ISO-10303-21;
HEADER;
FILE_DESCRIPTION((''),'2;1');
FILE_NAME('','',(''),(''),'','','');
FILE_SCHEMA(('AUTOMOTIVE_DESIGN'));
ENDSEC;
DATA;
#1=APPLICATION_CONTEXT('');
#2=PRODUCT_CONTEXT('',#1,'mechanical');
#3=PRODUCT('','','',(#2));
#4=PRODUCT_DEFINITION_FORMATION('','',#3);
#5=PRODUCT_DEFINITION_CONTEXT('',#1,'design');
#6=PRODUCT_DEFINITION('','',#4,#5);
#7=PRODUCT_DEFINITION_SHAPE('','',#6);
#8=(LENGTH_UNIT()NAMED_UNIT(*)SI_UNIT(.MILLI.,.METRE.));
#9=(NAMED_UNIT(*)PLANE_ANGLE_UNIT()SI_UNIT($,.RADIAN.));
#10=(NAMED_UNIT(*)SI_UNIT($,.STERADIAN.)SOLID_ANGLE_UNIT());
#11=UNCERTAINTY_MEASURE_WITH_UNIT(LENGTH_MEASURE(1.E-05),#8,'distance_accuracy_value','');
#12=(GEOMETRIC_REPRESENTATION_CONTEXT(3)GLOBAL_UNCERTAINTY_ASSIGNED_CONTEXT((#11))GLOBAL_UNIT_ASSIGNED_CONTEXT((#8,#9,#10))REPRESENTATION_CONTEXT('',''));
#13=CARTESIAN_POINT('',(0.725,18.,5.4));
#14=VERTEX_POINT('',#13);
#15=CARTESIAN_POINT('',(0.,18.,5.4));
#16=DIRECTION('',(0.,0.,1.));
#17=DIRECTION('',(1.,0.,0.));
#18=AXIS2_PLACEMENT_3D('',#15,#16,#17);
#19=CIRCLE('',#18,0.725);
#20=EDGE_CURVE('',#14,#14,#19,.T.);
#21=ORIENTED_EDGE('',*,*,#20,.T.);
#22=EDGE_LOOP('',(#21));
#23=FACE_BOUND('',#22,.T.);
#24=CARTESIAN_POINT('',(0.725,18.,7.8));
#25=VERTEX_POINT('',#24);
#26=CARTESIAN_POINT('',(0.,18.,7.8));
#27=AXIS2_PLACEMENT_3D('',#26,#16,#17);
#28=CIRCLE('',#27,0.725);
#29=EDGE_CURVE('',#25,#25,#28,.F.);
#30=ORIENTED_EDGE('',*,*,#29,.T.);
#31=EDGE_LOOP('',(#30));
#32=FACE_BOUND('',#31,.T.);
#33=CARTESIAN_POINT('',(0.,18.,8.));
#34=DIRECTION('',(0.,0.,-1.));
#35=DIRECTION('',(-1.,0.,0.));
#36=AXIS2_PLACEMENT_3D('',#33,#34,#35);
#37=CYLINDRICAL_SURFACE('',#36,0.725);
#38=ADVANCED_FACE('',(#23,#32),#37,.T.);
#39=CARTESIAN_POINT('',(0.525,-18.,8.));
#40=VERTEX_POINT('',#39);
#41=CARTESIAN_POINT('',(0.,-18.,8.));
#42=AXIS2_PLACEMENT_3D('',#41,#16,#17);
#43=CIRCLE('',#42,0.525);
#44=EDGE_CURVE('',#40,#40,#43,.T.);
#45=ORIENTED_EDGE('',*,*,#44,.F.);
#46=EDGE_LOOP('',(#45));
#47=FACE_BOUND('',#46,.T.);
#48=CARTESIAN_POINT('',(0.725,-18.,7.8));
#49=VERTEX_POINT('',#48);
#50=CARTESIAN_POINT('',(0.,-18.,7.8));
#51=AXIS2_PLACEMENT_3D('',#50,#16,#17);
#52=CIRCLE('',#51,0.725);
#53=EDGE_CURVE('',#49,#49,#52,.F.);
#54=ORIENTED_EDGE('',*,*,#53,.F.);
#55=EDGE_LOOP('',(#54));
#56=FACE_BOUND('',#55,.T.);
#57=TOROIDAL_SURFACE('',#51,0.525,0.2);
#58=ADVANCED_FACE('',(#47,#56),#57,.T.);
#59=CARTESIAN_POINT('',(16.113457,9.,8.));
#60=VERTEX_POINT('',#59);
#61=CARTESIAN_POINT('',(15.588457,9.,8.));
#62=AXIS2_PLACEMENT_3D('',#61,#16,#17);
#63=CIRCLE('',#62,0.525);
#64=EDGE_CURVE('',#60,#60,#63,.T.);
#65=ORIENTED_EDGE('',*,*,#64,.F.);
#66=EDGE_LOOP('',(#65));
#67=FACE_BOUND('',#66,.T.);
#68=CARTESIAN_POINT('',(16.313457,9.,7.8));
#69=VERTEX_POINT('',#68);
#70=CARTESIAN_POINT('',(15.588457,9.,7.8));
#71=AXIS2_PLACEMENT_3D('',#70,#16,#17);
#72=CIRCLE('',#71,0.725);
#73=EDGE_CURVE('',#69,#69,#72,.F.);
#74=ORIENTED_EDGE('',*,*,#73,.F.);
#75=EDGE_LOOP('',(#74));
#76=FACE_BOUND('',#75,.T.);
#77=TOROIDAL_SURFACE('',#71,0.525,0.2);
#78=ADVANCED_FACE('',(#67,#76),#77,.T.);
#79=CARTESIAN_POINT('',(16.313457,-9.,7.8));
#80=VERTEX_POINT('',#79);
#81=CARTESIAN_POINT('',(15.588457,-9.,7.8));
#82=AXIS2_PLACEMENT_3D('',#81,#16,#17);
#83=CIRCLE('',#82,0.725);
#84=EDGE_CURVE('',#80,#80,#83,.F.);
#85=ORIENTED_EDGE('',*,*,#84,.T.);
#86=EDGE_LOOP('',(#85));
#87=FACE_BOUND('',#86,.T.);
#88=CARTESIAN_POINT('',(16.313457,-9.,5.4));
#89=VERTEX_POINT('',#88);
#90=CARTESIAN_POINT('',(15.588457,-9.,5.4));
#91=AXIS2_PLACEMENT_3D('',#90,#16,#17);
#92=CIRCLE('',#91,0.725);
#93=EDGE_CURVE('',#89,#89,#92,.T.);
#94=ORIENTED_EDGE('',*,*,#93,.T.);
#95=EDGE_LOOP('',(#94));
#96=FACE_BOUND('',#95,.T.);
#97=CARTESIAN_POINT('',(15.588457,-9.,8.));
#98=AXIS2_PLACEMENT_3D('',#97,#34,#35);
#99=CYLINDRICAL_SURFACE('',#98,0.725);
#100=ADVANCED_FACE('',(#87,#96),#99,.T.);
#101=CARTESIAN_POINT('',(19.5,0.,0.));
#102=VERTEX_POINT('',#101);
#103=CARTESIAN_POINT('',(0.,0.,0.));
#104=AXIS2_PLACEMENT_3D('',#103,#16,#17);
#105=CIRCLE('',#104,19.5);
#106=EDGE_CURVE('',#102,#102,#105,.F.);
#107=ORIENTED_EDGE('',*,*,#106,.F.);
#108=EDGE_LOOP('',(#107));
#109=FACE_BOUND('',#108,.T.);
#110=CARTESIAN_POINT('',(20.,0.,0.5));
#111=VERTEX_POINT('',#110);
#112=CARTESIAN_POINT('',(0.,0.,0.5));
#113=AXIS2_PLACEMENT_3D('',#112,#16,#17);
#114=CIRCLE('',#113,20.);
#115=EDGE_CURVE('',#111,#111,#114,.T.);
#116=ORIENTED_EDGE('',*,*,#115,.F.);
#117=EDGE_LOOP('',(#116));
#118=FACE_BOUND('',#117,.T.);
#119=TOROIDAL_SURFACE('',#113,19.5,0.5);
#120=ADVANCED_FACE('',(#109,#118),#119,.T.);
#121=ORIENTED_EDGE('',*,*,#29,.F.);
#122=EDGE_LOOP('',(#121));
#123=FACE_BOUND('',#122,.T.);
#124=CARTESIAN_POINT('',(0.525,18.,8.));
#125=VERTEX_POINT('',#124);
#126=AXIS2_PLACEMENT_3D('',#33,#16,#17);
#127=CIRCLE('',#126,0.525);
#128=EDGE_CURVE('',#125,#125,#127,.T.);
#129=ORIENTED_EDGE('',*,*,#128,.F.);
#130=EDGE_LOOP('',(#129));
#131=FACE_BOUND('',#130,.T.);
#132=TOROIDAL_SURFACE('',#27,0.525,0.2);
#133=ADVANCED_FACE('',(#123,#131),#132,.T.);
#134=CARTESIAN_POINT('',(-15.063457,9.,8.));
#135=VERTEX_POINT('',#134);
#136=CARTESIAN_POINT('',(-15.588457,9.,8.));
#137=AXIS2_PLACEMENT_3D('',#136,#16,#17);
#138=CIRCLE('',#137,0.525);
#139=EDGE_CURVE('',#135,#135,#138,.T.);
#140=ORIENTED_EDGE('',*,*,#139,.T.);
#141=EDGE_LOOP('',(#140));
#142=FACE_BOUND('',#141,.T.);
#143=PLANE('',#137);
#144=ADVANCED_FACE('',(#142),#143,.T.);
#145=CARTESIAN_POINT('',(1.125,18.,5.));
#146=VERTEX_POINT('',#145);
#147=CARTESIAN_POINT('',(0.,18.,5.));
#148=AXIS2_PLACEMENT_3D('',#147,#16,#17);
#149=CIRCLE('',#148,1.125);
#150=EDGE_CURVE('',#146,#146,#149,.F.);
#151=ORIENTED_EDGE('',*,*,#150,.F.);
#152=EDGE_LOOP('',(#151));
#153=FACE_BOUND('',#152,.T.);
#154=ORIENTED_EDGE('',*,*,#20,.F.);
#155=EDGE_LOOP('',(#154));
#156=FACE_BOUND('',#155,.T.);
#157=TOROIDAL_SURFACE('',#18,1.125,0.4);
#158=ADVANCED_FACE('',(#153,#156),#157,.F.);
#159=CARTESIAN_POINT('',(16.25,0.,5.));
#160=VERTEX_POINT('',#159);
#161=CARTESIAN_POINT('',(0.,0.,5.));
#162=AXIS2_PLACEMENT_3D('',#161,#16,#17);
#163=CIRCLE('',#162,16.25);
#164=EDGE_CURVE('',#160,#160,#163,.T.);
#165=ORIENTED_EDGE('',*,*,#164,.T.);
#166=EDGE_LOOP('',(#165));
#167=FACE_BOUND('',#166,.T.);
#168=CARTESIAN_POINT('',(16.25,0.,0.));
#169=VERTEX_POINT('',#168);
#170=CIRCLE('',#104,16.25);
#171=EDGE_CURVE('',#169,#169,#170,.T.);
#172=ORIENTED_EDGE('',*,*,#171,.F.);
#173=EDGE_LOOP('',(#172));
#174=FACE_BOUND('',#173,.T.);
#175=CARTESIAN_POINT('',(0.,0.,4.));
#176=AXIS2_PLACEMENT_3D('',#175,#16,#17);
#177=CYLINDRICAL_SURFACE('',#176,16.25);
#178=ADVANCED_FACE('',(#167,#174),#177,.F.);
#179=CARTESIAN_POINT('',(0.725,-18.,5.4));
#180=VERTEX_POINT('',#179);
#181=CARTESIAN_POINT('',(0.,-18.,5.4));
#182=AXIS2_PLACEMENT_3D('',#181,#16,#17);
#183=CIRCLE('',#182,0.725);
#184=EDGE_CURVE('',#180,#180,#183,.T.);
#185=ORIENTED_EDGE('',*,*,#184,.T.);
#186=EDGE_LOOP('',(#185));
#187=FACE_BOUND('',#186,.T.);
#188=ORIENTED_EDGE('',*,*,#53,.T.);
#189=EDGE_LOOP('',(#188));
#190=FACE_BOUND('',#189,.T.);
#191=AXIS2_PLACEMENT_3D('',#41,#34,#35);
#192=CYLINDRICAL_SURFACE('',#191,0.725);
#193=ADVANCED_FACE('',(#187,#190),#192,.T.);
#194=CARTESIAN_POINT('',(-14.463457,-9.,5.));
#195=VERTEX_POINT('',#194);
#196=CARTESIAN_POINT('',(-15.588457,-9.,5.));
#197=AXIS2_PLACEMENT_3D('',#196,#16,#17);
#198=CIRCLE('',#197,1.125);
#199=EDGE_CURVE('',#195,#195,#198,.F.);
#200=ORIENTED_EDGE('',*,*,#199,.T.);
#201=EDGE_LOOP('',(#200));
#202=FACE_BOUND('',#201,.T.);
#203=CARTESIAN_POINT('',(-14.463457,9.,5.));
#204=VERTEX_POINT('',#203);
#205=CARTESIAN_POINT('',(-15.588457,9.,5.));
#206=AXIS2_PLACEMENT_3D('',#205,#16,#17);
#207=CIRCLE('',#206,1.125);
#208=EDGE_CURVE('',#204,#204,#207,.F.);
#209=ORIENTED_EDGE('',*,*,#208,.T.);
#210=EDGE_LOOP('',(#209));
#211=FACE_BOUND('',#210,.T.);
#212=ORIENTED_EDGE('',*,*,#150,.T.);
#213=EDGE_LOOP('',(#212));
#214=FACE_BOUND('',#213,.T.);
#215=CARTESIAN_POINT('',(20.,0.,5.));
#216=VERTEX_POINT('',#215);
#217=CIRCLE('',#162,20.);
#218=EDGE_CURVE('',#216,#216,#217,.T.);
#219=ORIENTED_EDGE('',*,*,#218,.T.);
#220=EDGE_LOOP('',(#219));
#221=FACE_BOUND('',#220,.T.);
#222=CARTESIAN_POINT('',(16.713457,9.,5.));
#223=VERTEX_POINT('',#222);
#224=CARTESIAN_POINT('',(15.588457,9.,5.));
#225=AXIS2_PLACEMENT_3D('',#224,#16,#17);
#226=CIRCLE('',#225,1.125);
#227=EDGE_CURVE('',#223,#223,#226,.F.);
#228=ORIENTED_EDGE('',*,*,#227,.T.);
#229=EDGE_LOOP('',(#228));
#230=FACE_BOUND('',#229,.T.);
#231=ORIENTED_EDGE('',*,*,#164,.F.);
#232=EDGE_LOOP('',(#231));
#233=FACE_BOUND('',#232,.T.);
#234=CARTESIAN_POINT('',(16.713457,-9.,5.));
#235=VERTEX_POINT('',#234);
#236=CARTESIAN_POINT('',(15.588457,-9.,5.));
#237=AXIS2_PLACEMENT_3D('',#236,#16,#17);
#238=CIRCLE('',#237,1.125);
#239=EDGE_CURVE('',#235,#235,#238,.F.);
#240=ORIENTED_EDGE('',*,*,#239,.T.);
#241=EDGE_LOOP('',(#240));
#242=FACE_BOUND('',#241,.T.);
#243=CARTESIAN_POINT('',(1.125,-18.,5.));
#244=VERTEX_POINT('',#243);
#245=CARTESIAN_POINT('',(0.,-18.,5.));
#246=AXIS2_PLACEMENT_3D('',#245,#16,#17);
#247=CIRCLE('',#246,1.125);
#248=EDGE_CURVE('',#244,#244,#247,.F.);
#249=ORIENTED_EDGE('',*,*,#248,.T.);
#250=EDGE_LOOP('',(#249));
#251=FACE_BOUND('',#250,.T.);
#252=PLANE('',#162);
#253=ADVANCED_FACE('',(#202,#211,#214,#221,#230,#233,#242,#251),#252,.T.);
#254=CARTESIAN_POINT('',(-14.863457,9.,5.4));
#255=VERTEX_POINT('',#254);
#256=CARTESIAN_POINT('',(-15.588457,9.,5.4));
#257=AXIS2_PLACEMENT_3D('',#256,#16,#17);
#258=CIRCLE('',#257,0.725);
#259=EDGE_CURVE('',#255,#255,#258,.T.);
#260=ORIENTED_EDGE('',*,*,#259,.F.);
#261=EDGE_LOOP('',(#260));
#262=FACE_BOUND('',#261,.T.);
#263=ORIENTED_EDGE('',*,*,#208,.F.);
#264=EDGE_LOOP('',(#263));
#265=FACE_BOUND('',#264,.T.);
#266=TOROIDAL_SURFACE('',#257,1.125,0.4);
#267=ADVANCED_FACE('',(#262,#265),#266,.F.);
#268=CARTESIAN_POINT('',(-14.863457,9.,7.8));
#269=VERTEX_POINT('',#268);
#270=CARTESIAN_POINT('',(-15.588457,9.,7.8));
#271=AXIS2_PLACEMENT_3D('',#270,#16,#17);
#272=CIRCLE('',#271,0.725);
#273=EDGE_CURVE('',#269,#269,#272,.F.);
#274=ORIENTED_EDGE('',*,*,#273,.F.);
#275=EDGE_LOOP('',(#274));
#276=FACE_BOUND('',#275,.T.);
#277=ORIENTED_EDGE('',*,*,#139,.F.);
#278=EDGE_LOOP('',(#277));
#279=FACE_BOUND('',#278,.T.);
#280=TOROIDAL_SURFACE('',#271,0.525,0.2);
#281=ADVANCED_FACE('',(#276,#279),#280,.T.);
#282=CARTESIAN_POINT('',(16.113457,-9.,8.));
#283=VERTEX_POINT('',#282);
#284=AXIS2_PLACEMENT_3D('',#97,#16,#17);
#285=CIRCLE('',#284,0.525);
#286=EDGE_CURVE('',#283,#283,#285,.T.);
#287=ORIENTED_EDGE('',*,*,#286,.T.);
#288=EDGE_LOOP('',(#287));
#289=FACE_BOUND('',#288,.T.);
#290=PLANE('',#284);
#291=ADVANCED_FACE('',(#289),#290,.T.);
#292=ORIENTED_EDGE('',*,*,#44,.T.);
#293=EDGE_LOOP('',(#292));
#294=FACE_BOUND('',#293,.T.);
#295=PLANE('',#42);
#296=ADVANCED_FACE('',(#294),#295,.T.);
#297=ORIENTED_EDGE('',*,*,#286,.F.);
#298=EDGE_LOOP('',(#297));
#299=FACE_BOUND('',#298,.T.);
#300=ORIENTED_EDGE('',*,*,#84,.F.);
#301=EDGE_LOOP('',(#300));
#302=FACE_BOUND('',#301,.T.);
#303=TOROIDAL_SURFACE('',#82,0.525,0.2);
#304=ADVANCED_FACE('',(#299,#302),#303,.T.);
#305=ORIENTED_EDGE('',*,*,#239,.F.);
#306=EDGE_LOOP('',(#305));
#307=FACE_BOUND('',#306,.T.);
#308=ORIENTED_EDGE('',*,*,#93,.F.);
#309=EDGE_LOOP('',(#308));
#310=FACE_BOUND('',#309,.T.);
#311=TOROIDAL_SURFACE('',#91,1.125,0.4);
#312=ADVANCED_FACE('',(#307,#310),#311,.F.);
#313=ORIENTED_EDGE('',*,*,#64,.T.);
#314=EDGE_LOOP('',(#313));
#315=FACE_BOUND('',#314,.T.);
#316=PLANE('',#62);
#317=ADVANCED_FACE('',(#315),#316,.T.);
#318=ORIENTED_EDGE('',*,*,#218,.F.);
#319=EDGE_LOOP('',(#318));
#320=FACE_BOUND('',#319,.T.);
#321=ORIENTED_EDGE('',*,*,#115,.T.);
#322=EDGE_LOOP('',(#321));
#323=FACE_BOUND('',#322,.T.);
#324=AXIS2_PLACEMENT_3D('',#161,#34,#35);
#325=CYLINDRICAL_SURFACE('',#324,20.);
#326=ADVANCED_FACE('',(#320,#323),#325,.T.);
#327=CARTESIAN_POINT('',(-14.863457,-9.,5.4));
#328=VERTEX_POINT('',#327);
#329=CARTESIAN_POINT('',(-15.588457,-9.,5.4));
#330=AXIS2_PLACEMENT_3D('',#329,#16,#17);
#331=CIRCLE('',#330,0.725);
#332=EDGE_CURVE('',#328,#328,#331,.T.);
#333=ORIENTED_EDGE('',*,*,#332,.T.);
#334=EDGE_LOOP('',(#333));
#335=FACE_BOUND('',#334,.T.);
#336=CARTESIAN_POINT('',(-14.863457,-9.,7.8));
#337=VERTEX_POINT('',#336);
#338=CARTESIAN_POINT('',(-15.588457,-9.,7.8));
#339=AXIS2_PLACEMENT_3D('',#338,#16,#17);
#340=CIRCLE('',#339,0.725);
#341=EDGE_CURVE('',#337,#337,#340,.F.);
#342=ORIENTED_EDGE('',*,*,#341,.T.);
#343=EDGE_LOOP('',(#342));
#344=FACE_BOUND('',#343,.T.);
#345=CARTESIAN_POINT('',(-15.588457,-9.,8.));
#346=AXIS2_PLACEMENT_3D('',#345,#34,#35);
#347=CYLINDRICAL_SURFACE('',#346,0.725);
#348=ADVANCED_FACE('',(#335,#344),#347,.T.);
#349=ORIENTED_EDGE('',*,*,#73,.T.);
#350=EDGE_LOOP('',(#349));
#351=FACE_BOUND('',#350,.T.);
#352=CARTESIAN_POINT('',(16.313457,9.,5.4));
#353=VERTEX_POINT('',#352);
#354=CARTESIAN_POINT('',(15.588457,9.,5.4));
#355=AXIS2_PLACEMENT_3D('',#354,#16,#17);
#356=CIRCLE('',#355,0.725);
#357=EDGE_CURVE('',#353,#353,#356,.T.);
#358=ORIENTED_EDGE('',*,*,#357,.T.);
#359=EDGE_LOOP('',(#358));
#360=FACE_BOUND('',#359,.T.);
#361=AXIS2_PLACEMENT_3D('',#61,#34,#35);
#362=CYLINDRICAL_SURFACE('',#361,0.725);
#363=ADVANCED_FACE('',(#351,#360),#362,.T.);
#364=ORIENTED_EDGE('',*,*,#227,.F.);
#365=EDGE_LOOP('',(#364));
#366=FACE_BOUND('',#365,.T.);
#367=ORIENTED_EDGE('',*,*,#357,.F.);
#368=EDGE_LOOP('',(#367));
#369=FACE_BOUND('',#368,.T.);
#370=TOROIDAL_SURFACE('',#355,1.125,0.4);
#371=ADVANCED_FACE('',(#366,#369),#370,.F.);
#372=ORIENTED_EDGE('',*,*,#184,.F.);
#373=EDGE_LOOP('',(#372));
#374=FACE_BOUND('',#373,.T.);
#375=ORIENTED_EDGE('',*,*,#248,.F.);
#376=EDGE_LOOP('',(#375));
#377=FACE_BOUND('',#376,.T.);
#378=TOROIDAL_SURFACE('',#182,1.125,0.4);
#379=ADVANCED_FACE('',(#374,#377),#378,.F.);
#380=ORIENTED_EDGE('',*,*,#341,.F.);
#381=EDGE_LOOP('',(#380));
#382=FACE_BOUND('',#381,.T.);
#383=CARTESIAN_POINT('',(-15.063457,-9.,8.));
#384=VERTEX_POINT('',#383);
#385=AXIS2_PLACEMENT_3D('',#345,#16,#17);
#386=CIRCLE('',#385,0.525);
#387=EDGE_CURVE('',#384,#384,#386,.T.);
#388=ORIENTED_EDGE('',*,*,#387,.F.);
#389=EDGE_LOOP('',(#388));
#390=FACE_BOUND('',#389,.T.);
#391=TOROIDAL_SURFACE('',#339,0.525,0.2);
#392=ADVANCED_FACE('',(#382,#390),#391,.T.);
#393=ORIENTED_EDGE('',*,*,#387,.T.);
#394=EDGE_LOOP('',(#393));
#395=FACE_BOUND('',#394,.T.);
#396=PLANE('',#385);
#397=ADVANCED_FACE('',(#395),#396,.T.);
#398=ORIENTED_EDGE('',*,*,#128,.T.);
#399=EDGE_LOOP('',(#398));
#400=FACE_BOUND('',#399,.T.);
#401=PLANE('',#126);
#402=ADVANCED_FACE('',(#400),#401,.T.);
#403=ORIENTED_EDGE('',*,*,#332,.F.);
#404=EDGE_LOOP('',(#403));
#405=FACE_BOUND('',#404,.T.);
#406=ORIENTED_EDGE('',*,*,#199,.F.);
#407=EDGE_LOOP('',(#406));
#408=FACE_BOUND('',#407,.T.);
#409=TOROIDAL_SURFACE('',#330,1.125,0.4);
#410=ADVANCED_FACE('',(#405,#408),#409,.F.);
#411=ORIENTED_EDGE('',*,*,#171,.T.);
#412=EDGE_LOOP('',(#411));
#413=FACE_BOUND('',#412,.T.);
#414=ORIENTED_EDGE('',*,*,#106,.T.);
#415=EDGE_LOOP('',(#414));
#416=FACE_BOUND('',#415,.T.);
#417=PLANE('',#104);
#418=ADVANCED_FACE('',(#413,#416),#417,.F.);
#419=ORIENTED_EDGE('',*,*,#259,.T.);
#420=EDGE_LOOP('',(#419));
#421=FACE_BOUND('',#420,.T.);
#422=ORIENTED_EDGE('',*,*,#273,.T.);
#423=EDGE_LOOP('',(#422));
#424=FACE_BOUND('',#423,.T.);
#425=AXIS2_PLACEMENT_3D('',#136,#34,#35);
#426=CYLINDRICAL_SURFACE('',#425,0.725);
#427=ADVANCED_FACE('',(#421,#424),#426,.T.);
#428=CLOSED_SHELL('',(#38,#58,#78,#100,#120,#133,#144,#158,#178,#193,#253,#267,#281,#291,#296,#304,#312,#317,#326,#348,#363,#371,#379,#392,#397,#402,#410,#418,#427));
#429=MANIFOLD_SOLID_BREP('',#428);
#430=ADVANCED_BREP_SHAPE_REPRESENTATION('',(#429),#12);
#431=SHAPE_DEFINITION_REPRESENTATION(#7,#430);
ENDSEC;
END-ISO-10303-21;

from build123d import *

# Parameters (mm, degrees)
SKETCH1_R               = 20
BOSS_EXTRUDE1_DEPTH     = 5
SKETCH3_R               = 0.725
BOSS_EXTRUDE3_DEPTH     = 3
FILLET1_R               = 0.4
SKETCH4_R               = 8.5
CUT_EXTRUDE2_DEPTH      = 1.5
SKETCH6_R               = 5
BOSS_EXTRUDE4_DEPTH     = 0.5
SKETCH7_R               = 4
BOSS_EXTRUDE6_DEPTH     = 4.5
FILLET2_R               = 0.5
FILLET3_R               = 0.5
FILLET4_R               = 0.5
FILLET5_R               = 0.2
SKETCH8_R               = 16.25
CUT_EXTRUDE4_DEPTH      = 1
FILLET6_R               = 0.2
SKETCH9_R               = 16.25
CUT_EXTRUDE5_DEPTH      = 5
CUT_EXTRUDE5_DEPTH_BACK = 8.5


with BuildPart() as part:
    # Sketch1 → Boss-Extrude1 (new body)
    with BuildSketch(Plane.XY):
        Circle(SKETCH1_R)
    extrude(amount=BOSS_EXTRUDE1_DEPTH)

    # Sketch3 → Boss-Extrude3 (add)
    with BuildSketch(Plane.XY.offset(5)):
        with Locations((0, 18)):
            Circle(SKETCH3_R)
        with Locations((15.588457268, 9)):
            Circle(SKETCH3_R)
        with Locations((15.588457268, -9)):
            Circle(SKETCH3_R)
        with Locations((0, -18)):
            Circle(SKETCH3_R)
        with Locations((-15.588457268, -9)):
            Circle(SKETCH3_R)
        with Locations((-15.588457268, 9)):
            Circle(SKETCH3_R)
    extrude(amount=BOSS_EXTRUDE3_DEPTH)

    # Fillet1
    fillet1_edges = [part.edges().sort_by_distance(p)[0] for p in [
        (14.863457268, -9, 5),
        (-0.725, -18, 5),
        (-16.313457268, -9, 5),
        (-16.313457268, 9, 5),
        (-0.725, 18, 5),
        (14.863457268, 9, 5),
    ]]
    fillet(fillet1_edges, radius=FILLET1_R)

    # Sketch4 → Cut-Extrude2 (cut)
    with BuildSketch(Plane(origin=(0, 0, 0), x_dir=(-1, 0, 0), z_dir=(0, 0, -1))):
        Circle(SKETCH4_R)
    extrude(amount=-CUT_EXTRUDE2_DEPTH, mode=Mode.SUBTRACT)

    # Sketch6 → Boss-Extrude4 (add)
    with BuildSketch(Plane(origin=(0, 0, 1.5), x_dir=(-1, 0, 0), z_dir=(0, 0, -1))):
        Circle(SKETCH6_R)
    extrude(amount=BOSS_EXTRUDE4_DEPTH)

    # Sketch7 → Boss-Extrude6 (add)
    with BuildSketch(Plane(origin=(0, 0, 1), x_dir=(-1, 0, 0), z_dir=(0, 0, -1))):
        Circle(SKETCH7_R)
    extrude(amount=BOSS_EXTRUDE6_DEPTH)

    # Fillet2
    fillet2_edges = [part.edges().sort_by_distance(p)[0] for p in [
        (-20, 0, 0),
    ]]
    fillet(fillet2_edges, radius=FILLET2_R)

    # Fillet3
    fillet3_edges = [part.edges().sort_by_distance(p)[0] for p in [
        (8.5, 0, 0),
    ]]
    fillet(fillet3_edges, radius=FILLET3_R)

    # Fillet4
    fillet4_edges = [part.edges().sort_by_distance(p)[0] for p in [
        (4, 0, -3.5),
    ]]
    fillet(fillet4_edges, radius=FILLET4_R)

    # Fillet5
    fillet5_edges = [part.edges().sort_by_distance(p)[0] for p in [
        (14.863457268, -9, 8),
        (-0.725, -18, 8),
        (-16.313457268, -9, 8),
        (-16.313457268, 9, 8),
        (-0.725, 18, 8),
        (14.863457268, 9, 8),
    ]]
    fillet(fillet5_edges, radius=FILLET5_R)

    # Sketch8 → Cut-Extrude4 (cut)
    with BuildSketch(Plane.XY.offset(5)):
        Circle(SKETCH8_R)
    extrude(amount=-CUT_EXTRUDE4_DEPTH, mode=Mode.SUBTRACT)

    # Fillet6
    fillet6_edges = [part.edges().sort_by_distance(p)[0] for p in [
        (-16.25, 0, 4),
    ]]
    fillet(fillet6_edges, radius=FILLET6_R)

    # Sketch9 → Cut-Extrude5 (cut, two sides)
    with BuildSketch(Plane.XY.offset(4)) as cut_extrude5_sk:
        Circle(SKETCH9_R)
    extrude(amount=CUT_EXTRUDE5_DEPTH, mode=Mode.SUBTRACT)
    extrude(cut_extrude5_sk.sketch, amount=-CUT_EXTRUDE5_DEPTH_BACK, mode=Mode.SUBTRACT)


solid = part.part
